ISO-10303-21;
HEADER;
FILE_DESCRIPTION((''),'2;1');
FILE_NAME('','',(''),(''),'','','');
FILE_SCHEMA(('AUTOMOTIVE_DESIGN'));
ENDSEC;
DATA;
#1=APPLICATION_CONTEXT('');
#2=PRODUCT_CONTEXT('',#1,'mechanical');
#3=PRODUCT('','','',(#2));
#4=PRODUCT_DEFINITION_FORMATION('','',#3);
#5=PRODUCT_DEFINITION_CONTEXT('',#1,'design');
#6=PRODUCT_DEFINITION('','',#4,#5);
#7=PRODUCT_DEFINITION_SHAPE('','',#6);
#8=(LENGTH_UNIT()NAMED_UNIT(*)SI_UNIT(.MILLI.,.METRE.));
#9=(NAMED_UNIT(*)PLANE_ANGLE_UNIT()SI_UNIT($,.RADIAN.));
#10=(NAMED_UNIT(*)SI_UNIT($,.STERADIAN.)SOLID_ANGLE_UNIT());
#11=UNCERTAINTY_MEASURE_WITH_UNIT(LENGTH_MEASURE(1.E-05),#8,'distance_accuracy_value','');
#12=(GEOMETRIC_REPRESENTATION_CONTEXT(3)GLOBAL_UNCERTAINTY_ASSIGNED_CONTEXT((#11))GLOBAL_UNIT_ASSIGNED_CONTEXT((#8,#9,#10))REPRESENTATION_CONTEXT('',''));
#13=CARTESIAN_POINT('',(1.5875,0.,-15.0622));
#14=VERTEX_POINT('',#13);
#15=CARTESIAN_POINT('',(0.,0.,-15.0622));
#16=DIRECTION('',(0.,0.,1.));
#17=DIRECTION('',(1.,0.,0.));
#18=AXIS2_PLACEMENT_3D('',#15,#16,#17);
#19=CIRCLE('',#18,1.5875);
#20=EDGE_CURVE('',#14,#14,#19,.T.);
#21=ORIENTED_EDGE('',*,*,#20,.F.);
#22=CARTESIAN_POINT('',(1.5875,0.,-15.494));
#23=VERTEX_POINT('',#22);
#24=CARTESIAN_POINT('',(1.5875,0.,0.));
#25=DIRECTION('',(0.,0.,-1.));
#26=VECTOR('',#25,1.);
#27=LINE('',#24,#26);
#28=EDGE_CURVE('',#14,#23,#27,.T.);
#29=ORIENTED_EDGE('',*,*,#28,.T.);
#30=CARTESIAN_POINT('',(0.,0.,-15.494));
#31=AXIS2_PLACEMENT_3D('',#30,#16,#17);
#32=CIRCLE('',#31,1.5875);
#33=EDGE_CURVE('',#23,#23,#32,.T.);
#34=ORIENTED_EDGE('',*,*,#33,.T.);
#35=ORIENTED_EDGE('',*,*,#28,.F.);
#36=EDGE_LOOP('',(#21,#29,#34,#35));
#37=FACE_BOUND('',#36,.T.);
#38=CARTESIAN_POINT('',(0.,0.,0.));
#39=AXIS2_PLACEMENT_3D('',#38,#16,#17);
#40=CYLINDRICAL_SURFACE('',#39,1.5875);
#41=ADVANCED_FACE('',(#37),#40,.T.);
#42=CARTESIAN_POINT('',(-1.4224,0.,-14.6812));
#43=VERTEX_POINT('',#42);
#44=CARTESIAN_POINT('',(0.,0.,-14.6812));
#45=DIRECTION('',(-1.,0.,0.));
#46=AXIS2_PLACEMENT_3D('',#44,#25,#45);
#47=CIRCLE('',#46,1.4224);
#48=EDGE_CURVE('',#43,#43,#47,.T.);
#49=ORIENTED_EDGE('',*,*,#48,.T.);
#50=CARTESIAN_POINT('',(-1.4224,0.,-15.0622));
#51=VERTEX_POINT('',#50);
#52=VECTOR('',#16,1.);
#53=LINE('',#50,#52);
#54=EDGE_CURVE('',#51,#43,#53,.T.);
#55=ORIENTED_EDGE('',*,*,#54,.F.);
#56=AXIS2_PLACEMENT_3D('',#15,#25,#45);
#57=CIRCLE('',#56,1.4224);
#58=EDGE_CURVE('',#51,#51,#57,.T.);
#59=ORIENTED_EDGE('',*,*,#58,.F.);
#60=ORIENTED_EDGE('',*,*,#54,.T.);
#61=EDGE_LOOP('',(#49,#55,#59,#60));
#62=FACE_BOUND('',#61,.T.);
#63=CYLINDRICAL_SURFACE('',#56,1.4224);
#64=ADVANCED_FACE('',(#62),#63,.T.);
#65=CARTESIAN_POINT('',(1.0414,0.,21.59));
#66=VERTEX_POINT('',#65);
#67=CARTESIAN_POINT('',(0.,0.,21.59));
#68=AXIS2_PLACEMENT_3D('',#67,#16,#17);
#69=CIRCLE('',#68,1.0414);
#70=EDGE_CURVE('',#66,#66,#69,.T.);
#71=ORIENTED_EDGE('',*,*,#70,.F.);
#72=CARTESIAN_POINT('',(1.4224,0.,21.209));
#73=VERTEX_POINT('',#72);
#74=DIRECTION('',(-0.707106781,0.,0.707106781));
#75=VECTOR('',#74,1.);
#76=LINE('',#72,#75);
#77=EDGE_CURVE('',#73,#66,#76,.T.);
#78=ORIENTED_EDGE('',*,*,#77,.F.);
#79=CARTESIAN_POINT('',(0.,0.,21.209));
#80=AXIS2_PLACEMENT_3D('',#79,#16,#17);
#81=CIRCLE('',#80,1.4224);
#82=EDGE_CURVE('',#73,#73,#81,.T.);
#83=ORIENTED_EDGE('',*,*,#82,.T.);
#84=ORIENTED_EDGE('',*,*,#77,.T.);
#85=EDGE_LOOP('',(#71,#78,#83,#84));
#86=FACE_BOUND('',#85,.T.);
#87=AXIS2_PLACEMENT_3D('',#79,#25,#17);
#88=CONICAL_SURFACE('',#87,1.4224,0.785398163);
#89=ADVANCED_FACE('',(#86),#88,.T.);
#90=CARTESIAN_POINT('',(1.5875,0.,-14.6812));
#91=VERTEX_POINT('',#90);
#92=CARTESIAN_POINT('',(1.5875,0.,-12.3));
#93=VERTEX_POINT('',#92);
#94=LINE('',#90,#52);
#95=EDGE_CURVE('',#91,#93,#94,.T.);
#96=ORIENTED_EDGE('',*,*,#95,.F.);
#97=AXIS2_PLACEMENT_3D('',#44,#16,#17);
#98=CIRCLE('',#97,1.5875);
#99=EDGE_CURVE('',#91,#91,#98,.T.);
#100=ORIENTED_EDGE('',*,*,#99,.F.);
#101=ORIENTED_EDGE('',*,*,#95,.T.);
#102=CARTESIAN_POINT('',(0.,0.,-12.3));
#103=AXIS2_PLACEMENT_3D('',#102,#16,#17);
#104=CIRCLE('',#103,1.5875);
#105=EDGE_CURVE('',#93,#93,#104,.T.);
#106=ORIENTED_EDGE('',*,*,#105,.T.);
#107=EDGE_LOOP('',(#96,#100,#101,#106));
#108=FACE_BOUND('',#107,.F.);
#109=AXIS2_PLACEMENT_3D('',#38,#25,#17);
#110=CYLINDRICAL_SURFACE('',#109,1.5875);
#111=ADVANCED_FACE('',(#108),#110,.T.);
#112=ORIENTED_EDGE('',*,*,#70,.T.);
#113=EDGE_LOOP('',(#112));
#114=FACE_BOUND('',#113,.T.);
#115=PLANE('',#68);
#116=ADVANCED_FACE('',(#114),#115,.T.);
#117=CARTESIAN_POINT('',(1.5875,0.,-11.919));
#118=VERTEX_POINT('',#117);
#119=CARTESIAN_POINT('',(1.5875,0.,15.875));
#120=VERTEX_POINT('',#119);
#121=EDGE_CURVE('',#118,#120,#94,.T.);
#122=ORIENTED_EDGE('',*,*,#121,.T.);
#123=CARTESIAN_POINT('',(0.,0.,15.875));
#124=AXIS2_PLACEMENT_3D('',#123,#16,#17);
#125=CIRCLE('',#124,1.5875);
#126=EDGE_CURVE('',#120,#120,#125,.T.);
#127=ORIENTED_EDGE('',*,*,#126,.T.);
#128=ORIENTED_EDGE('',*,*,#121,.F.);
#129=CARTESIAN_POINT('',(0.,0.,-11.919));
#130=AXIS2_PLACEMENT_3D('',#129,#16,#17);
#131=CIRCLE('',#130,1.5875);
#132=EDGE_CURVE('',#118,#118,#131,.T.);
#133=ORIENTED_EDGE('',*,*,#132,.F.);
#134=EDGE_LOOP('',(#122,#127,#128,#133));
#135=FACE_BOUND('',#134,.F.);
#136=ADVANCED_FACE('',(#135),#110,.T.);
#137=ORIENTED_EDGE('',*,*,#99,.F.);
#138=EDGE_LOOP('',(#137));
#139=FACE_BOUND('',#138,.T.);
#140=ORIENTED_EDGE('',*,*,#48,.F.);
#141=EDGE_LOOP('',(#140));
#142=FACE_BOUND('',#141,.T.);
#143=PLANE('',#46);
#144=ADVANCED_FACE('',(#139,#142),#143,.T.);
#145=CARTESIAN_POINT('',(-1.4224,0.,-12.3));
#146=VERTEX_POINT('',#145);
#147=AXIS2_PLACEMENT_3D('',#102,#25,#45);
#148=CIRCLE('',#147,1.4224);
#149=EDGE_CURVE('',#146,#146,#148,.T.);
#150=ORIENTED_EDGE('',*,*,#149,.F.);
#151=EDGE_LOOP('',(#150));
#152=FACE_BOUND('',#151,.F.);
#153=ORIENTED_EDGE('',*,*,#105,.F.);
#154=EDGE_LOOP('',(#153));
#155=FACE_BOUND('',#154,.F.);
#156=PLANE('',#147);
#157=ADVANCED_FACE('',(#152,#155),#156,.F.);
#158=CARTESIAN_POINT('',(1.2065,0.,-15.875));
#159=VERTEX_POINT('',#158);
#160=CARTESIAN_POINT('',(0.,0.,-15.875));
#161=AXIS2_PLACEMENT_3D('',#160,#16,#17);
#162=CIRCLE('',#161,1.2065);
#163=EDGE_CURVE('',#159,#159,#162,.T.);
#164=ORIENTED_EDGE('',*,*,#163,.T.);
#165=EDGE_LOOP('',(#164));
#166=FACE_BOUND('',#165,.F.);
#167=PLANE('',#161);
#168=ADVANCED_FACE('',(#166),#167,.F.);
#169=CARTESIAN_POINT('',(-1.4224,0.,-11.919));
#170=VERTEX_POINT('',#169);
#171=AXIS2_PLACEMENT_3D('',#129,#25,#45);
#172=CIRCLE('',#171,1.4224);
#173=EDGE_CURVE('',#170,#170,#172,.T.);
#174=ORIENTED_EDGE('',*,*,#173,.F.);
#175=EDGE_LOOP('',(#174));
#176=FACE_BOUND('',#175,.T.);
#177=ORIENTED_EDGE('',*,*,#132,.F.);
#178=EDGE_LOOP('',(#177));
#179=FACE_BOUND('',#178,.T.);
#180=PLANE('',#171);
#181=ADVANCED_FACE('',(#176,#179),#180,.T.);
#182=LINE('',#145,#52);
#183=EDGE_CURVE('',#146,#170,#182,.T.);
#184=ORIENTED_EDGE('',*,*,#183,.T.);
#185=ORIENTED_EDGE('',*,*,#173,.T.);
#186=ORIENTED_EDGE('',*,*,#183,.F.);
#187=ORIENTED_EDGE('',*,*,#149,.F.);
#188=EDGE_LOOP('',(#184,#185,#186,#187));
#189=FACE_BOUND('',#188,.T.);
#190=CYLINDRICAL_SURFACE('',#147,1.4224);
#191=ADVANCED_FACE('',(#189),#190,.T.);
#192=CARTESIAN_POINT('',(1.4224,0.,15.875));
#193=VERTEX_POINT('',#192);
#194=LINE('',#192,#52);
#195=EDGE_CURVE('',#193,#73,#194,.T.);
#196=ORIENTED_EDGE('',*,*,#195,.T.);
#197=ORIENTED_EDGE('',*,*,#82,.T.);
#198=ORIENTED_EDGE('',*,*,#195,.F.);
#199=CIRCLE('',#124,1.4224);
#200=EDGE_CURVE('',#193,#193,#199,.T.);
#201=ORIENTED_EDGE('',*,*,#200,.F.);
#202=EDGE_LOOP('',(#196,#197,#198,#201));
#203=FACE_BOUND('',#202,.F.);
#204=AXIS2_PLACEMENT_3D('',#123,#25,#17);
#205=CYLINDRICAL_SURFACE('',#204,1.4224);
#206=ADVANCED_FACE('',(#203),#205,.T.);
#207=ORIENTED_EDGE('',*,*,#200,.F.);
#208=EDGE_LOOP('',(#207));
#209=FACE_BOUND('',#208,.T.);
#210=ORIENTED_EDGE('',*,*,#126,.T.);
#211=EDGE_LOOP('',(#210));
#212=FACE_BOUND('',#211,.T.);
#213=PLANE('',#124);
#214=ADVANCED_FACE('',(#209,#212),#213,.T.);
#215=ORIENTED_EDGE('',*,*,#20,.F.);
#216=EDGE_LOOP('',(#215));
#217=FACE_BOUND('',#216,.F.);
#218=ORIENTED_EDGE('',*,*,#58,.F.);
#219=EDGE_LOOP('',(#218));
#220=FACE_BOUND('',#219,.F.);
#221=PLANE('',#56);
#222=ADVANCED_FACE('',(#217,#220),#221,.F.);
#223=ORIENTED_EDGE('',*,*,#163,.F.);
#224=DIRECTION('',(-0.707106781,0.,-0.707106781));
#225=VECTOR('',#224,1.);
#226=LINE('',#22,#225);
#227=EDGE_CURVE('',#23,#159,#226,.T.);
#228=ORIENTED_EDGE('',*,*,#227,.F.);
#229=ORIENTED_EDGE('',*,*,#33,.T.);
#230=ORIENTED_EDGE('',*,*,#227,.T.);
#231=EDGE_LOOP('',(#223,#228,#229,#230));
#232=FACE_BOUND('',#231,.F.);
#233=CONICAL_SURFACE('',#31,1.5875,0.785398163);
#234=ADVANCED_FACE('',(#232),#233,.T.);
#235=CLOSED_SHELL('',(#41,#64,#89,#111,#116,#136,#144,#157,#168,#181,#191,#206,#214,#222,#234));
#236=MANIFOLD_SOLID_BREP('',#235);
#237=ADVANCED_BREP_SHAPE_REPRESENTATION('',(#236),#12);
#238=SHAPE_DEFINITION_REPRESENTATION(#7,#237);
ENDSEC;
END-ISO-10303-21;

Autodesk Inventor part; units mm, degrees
ref_plane "YZ Plane" through (0, 0, 0) normal (1, 0, 0) x (0, 1, 0)
sketch "Sketch1" plane through (0, 0, 0) normal (0, 0, 1) x (1, 0, 0)
  circle A0 centre (0, 0) radius 1.5875
  dimension "d0" = 3.175
extrude "Extrusion1" add sketch "Sketch1" along normal mid plane 31.75
sketch "Sketch2" plane through (0, 0, 15.875) normal (0, 0, 1) x (1, 0, 0)
  circle A0 centre (0, 0) radius 1.4224
  dimension "d3" = 2.8448
extrude "Extrusion2" add sketch "Sketch2" along normal blind 5.715
ref_plane "Work Plane1" through (0, 0, -15.0622) normal (0, 0, -1) x (-1, 0, 0)
sketch "Sketch3" plane through (0, 0, -15.0622) normal (0, 0, -1) x (-1, 0, 0)
  circle A0 centre (0, 0) radius 1.4224 projected
  circle A1 centre (0, 0) radius 1.5875 projected
extrude "Extrusion3" cut sketch "Sketch3" against normal blind 0.381
ref_plane "Work Plane2" through (0, 0, -12.3) normal (0, 0, -1) x (-1, 0, 0)
sketch "Sketch4" plane through (0, 0, -12.3) normal (0, 0, -1) x (-1, 0, 0)
  circle A0 centre (0, 0) radius 1.4224 projected
  circle A1 centre (0, 0) radius 1.5875 projected
extrude "Extrusion4" cut sketch "Sketch4" against normal blind 0.381
chamfer "Chamfer1" distance 0.381 angle 45 2 edges at (-1.5875, 0, -15.875) (-1.4224, 0, 21.59)
thread "Thread1" size "4-40 UNC" class "2A" standard "ANSI Unified Screw Threads" full length
properties part number "Shock Shaft"
